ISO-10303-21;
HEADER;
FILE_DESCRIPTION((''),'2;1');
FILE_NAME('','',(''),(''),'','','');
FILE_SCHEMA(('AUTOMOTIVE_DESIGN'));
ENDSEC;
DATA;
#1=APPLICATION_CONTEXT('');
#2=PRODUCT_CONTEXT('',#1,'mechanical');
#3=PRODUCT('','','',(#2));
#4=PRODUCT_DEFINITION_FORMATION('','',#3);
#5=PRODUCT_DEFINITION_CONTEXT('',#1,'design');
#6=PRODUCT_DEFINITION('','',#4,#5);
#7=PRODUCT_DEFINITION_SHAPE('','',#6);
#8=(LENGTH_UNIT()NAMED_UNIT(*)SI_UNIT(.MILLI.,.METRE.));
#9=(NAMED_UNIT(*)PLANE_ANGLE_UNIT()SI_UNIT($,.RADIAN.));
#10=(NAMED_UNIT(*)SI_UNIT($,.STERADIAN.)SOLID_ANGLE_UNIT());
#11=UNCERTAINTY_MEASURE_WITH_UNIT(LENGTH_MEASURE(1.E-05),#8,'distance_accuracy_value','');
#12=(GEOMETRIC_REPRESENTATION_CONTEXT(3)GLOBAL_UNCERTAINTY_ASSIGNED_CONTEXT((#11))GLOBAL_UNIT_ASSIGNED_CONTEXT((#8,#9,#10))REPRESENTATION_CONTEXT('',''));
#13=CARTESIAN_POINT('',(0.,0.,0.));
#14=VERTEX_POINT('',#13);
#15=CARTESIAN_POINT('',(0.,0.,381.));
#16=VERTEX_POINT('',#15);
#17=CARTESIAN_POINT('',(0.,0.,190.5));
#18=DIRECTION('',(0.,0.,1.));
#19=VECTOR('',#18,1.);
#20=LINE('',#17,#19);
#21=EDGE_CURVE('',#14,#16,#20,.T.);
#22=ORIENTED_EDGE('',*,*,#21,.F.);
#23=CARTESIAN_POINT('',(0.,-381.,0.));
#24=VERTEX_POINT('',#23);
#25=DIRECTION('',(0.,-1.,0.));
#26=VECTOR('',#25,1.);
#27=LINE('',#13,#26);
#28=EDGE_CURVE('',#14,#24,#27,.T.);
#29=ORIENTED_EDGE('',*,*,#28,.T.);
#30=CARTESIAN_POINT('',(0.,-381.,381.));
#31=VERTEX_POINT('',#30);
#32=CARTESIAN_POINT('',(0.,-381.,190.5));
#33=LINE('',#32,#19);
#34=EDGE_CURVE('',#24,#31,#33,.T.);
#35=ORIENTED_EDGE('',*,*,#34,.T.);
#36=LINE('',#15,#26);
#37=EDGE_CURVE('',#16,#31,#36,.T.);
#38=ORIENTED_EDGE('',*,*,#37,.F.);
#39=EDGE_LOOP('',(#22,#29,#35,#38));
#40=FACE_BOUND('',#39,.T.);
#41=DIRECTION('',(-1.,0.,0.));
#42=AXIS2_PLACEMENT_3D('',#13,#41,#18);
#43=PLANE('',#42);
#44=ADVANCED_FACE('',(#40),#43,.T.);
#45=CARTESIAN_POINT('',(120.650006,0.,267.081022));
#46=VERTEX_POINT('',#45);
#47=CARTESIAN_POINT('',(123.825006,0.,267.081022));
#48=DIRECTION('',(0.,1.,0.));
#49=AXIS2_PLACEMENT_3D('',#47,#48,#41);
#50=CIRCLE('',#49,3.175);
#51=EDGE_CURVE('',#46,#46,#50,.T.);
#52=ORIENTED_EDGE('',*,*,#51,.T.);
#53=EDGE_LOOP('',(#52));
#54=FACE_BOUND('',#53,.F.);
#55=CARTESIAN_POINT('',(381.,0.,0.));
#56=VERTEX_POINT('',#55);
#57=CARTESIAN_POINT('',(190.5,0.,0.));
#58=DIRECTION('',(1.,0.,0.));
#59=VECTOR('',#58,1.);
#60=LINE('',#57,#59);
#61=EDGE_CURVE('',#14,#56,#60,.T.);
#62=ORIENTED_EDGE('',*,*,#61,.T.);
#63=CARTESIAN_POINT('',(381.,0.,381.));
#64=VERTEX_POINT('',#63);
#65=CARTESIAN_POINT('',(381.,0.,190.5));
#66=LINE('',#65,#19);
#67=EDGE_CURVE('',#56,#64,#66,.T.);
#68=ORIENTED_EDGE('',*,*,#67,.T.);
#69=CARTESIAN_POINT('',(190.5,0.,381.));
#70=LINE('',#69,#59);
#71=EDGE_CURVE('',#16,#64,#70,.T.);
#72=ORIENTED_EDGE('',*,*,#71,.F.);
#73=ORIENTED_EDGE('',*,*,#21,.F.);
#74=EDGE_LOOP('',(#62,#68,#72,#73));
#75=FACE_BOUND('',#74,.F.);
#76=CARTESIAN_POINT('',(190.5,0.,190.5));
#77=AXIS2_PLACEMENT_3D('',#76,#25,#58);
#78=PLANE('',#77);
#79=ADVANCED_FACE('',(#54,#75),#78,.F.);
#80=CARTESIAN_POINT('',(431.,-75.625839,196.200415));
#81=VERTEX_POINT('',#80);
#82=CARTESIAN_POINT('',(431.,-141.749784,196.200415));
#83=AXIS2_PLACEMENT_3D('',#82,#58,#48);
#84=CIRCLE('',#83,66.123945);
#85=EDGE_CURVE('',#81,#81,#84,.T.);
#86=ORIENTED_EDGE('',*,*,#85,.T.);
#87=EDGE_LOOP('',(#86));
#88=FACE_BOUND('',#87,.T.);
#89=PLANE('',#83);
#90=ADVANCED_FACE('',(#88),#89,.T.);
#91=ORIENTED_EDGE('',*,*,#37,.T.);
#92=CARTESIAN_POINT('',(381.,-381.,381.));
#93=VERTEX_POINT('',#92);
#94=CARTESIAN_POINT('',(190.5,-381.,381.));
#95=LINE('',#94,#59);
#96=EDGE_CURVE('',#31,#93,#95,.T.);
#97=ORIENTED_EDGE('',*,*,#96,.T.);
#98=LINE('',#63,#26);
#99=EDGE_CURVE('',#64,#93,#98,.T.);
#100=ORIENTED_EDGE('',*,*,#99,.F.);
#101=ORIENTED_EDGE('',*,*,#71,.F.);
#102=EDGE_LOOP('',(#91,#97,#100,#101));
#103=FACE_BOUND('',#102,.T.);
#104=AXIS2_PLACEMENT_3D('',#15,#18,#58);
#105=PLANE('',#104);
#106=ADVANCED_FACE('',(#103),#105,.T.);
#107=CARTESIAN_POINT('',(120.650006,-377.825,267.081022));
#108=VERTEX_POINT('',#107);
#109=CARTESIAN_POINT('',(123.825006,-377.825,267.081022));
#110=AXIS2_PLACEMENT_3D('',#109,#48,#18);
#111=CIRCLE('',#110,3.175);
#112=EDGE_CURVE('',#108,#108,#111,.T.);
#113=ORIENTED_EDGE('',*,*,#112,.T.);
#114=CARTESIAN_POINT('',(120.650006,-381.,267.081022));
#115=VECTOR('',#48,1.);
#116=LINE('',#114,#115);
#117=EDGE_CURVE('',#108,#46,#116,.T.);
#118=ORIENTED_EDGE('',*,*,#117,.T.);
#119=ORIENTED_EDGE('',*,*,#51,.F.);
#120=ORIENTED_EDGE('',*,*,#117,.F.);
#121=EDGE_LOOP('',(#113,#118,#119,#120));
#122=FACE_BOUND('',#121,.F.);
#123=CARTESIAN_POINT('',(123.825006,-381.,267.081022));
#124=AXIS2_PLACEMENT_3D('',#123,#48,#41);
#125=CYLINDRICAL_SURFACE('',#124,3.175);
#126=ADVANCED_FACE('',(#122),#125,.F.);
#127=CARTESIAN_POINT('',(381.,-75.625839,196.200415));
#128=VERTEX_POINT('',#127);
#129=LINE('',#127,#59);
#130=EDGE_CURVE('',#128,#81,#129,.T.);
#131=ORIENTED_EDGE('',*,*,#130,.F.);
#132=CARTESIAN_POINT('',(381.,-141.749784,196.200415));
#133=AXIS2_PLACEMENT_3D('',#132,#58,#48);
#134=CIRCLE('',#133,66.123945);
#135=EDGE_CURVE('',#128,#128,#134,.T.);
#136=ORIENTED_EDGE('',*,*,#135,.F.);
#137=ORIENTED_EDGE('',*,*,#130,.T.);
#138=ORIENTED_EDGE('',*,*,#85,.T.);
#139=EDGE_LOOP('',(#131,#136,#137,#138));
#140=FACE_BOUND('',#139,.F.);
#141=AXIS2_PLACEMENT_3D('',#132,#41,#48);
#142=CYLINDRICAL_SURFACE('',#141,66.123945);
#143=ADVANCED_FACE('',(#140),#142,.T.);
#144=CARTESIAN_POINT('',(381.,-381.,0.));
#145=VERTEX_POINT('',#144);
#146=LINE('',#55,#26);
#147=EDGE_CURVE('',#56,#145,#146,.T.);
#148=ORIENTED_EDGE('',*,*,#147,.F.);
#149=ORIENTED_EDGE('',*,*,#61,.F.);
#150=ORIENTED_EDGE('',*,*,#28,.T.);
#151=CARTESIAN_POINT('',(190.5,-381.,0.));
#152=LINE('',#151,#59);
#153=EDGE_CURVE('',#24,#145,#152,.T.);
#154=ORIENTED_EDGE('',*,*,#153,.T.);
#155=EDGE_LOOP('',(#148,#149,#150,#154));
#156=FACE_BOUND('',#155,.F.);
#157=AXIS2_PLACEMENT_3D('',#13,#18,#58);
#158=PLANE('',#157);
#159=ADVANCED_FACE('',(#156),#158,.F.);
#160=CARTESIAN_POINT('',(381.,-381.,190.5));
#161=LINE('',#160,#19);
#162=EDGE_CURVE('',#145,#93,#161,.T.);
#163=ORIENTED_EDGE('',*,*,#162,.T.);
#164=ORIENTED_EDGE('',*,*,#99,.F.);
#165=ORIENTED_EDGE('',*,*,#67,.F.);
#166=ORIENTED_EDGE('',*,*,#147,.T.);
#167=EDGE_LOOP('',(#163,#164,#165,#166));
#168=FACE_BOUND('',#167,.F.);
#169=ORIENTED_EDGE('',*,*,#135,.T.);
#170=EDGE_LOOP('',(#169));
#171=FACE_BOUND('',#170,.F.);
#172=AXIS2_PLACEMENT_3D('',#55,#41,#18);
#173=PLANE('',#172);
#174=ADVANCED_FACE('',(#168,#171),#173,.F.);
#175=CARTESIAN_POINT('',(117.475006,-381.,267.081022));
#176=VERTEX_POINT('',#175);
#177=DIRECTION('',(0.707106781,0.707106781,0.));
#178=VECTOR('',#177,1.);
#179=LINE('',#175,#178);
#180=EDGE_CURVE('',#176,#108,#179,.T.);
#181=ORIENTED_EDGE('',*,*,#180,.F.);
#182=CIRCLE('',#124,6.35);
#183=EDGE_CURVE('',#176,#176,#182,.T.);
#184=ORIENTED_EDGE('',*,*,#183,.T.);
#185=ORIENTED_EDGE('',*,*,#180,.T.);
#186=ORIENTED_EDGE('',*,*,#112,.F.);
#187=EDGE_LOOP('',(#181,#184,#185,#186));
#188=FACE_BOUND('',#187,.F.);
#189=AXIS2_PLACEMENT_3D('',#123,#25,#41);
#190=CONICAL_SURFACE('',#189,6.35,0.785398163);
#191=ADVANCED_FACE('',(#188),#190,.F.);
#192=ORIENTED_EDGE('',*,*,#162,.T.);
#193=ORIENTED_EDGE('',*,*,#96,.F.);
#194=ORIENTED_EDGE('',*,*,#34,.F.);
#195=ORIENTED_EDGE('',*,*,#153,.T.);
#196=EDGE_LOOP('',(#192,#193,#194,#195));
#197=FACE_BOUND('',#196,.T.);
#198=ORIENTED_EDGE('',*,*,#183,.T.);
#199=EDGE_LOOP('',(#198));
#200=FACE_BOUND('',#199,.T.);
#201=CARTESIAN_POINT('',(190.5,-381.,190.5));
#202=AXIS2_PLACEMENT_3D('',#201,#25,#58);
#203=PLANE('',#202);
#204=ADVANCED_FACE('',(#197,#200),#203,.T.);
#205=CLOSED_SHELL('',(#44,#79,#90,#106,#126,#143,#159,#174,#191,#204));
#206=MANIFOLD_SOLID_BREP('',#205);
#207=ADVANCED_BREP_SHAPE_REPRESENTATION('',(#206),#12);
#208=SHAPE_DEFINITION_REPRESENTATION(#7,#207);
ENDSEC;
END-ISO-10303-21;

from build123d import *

# Parameters (mm, degrees)
F0_W           = 381
F0_H           = 381
F1_DEPTH       = 381
F3_D           = 6.35
F3_CSINK_D     = 12.7
F3_CSINK_ANGLE = 90
F4_R           = 66.123945
F5_DEPTH       = 50


with BuildPart() as f1:
    # F0 (on Front) → F1 (new body)
    with BuildSketch(Plane.XZ):
        with Locations((190.5, 190.5)):
            Rectangle(F0_W, F0_H)
    extrude(amount=F1_DEPTH)

    # F3 (through all)
    with Locations(Plane.XZ.offset(381)):
        with Locations((123.825006, 267.081022)):
            CounterSinkHole(F3_D / 2, F3_CSINK_D / 2, counter_sink_angle=F3_CSINK_ANGLE)

    # F4 (on face) → F5 (join)
    with BuildSketch(Plane.YZ.offset(381)):
        with Locations((-141.749784, 196.200415)):
            Circle(F4_R)
    extrude(amount=F5_DEPTH)


solid = f1.part
